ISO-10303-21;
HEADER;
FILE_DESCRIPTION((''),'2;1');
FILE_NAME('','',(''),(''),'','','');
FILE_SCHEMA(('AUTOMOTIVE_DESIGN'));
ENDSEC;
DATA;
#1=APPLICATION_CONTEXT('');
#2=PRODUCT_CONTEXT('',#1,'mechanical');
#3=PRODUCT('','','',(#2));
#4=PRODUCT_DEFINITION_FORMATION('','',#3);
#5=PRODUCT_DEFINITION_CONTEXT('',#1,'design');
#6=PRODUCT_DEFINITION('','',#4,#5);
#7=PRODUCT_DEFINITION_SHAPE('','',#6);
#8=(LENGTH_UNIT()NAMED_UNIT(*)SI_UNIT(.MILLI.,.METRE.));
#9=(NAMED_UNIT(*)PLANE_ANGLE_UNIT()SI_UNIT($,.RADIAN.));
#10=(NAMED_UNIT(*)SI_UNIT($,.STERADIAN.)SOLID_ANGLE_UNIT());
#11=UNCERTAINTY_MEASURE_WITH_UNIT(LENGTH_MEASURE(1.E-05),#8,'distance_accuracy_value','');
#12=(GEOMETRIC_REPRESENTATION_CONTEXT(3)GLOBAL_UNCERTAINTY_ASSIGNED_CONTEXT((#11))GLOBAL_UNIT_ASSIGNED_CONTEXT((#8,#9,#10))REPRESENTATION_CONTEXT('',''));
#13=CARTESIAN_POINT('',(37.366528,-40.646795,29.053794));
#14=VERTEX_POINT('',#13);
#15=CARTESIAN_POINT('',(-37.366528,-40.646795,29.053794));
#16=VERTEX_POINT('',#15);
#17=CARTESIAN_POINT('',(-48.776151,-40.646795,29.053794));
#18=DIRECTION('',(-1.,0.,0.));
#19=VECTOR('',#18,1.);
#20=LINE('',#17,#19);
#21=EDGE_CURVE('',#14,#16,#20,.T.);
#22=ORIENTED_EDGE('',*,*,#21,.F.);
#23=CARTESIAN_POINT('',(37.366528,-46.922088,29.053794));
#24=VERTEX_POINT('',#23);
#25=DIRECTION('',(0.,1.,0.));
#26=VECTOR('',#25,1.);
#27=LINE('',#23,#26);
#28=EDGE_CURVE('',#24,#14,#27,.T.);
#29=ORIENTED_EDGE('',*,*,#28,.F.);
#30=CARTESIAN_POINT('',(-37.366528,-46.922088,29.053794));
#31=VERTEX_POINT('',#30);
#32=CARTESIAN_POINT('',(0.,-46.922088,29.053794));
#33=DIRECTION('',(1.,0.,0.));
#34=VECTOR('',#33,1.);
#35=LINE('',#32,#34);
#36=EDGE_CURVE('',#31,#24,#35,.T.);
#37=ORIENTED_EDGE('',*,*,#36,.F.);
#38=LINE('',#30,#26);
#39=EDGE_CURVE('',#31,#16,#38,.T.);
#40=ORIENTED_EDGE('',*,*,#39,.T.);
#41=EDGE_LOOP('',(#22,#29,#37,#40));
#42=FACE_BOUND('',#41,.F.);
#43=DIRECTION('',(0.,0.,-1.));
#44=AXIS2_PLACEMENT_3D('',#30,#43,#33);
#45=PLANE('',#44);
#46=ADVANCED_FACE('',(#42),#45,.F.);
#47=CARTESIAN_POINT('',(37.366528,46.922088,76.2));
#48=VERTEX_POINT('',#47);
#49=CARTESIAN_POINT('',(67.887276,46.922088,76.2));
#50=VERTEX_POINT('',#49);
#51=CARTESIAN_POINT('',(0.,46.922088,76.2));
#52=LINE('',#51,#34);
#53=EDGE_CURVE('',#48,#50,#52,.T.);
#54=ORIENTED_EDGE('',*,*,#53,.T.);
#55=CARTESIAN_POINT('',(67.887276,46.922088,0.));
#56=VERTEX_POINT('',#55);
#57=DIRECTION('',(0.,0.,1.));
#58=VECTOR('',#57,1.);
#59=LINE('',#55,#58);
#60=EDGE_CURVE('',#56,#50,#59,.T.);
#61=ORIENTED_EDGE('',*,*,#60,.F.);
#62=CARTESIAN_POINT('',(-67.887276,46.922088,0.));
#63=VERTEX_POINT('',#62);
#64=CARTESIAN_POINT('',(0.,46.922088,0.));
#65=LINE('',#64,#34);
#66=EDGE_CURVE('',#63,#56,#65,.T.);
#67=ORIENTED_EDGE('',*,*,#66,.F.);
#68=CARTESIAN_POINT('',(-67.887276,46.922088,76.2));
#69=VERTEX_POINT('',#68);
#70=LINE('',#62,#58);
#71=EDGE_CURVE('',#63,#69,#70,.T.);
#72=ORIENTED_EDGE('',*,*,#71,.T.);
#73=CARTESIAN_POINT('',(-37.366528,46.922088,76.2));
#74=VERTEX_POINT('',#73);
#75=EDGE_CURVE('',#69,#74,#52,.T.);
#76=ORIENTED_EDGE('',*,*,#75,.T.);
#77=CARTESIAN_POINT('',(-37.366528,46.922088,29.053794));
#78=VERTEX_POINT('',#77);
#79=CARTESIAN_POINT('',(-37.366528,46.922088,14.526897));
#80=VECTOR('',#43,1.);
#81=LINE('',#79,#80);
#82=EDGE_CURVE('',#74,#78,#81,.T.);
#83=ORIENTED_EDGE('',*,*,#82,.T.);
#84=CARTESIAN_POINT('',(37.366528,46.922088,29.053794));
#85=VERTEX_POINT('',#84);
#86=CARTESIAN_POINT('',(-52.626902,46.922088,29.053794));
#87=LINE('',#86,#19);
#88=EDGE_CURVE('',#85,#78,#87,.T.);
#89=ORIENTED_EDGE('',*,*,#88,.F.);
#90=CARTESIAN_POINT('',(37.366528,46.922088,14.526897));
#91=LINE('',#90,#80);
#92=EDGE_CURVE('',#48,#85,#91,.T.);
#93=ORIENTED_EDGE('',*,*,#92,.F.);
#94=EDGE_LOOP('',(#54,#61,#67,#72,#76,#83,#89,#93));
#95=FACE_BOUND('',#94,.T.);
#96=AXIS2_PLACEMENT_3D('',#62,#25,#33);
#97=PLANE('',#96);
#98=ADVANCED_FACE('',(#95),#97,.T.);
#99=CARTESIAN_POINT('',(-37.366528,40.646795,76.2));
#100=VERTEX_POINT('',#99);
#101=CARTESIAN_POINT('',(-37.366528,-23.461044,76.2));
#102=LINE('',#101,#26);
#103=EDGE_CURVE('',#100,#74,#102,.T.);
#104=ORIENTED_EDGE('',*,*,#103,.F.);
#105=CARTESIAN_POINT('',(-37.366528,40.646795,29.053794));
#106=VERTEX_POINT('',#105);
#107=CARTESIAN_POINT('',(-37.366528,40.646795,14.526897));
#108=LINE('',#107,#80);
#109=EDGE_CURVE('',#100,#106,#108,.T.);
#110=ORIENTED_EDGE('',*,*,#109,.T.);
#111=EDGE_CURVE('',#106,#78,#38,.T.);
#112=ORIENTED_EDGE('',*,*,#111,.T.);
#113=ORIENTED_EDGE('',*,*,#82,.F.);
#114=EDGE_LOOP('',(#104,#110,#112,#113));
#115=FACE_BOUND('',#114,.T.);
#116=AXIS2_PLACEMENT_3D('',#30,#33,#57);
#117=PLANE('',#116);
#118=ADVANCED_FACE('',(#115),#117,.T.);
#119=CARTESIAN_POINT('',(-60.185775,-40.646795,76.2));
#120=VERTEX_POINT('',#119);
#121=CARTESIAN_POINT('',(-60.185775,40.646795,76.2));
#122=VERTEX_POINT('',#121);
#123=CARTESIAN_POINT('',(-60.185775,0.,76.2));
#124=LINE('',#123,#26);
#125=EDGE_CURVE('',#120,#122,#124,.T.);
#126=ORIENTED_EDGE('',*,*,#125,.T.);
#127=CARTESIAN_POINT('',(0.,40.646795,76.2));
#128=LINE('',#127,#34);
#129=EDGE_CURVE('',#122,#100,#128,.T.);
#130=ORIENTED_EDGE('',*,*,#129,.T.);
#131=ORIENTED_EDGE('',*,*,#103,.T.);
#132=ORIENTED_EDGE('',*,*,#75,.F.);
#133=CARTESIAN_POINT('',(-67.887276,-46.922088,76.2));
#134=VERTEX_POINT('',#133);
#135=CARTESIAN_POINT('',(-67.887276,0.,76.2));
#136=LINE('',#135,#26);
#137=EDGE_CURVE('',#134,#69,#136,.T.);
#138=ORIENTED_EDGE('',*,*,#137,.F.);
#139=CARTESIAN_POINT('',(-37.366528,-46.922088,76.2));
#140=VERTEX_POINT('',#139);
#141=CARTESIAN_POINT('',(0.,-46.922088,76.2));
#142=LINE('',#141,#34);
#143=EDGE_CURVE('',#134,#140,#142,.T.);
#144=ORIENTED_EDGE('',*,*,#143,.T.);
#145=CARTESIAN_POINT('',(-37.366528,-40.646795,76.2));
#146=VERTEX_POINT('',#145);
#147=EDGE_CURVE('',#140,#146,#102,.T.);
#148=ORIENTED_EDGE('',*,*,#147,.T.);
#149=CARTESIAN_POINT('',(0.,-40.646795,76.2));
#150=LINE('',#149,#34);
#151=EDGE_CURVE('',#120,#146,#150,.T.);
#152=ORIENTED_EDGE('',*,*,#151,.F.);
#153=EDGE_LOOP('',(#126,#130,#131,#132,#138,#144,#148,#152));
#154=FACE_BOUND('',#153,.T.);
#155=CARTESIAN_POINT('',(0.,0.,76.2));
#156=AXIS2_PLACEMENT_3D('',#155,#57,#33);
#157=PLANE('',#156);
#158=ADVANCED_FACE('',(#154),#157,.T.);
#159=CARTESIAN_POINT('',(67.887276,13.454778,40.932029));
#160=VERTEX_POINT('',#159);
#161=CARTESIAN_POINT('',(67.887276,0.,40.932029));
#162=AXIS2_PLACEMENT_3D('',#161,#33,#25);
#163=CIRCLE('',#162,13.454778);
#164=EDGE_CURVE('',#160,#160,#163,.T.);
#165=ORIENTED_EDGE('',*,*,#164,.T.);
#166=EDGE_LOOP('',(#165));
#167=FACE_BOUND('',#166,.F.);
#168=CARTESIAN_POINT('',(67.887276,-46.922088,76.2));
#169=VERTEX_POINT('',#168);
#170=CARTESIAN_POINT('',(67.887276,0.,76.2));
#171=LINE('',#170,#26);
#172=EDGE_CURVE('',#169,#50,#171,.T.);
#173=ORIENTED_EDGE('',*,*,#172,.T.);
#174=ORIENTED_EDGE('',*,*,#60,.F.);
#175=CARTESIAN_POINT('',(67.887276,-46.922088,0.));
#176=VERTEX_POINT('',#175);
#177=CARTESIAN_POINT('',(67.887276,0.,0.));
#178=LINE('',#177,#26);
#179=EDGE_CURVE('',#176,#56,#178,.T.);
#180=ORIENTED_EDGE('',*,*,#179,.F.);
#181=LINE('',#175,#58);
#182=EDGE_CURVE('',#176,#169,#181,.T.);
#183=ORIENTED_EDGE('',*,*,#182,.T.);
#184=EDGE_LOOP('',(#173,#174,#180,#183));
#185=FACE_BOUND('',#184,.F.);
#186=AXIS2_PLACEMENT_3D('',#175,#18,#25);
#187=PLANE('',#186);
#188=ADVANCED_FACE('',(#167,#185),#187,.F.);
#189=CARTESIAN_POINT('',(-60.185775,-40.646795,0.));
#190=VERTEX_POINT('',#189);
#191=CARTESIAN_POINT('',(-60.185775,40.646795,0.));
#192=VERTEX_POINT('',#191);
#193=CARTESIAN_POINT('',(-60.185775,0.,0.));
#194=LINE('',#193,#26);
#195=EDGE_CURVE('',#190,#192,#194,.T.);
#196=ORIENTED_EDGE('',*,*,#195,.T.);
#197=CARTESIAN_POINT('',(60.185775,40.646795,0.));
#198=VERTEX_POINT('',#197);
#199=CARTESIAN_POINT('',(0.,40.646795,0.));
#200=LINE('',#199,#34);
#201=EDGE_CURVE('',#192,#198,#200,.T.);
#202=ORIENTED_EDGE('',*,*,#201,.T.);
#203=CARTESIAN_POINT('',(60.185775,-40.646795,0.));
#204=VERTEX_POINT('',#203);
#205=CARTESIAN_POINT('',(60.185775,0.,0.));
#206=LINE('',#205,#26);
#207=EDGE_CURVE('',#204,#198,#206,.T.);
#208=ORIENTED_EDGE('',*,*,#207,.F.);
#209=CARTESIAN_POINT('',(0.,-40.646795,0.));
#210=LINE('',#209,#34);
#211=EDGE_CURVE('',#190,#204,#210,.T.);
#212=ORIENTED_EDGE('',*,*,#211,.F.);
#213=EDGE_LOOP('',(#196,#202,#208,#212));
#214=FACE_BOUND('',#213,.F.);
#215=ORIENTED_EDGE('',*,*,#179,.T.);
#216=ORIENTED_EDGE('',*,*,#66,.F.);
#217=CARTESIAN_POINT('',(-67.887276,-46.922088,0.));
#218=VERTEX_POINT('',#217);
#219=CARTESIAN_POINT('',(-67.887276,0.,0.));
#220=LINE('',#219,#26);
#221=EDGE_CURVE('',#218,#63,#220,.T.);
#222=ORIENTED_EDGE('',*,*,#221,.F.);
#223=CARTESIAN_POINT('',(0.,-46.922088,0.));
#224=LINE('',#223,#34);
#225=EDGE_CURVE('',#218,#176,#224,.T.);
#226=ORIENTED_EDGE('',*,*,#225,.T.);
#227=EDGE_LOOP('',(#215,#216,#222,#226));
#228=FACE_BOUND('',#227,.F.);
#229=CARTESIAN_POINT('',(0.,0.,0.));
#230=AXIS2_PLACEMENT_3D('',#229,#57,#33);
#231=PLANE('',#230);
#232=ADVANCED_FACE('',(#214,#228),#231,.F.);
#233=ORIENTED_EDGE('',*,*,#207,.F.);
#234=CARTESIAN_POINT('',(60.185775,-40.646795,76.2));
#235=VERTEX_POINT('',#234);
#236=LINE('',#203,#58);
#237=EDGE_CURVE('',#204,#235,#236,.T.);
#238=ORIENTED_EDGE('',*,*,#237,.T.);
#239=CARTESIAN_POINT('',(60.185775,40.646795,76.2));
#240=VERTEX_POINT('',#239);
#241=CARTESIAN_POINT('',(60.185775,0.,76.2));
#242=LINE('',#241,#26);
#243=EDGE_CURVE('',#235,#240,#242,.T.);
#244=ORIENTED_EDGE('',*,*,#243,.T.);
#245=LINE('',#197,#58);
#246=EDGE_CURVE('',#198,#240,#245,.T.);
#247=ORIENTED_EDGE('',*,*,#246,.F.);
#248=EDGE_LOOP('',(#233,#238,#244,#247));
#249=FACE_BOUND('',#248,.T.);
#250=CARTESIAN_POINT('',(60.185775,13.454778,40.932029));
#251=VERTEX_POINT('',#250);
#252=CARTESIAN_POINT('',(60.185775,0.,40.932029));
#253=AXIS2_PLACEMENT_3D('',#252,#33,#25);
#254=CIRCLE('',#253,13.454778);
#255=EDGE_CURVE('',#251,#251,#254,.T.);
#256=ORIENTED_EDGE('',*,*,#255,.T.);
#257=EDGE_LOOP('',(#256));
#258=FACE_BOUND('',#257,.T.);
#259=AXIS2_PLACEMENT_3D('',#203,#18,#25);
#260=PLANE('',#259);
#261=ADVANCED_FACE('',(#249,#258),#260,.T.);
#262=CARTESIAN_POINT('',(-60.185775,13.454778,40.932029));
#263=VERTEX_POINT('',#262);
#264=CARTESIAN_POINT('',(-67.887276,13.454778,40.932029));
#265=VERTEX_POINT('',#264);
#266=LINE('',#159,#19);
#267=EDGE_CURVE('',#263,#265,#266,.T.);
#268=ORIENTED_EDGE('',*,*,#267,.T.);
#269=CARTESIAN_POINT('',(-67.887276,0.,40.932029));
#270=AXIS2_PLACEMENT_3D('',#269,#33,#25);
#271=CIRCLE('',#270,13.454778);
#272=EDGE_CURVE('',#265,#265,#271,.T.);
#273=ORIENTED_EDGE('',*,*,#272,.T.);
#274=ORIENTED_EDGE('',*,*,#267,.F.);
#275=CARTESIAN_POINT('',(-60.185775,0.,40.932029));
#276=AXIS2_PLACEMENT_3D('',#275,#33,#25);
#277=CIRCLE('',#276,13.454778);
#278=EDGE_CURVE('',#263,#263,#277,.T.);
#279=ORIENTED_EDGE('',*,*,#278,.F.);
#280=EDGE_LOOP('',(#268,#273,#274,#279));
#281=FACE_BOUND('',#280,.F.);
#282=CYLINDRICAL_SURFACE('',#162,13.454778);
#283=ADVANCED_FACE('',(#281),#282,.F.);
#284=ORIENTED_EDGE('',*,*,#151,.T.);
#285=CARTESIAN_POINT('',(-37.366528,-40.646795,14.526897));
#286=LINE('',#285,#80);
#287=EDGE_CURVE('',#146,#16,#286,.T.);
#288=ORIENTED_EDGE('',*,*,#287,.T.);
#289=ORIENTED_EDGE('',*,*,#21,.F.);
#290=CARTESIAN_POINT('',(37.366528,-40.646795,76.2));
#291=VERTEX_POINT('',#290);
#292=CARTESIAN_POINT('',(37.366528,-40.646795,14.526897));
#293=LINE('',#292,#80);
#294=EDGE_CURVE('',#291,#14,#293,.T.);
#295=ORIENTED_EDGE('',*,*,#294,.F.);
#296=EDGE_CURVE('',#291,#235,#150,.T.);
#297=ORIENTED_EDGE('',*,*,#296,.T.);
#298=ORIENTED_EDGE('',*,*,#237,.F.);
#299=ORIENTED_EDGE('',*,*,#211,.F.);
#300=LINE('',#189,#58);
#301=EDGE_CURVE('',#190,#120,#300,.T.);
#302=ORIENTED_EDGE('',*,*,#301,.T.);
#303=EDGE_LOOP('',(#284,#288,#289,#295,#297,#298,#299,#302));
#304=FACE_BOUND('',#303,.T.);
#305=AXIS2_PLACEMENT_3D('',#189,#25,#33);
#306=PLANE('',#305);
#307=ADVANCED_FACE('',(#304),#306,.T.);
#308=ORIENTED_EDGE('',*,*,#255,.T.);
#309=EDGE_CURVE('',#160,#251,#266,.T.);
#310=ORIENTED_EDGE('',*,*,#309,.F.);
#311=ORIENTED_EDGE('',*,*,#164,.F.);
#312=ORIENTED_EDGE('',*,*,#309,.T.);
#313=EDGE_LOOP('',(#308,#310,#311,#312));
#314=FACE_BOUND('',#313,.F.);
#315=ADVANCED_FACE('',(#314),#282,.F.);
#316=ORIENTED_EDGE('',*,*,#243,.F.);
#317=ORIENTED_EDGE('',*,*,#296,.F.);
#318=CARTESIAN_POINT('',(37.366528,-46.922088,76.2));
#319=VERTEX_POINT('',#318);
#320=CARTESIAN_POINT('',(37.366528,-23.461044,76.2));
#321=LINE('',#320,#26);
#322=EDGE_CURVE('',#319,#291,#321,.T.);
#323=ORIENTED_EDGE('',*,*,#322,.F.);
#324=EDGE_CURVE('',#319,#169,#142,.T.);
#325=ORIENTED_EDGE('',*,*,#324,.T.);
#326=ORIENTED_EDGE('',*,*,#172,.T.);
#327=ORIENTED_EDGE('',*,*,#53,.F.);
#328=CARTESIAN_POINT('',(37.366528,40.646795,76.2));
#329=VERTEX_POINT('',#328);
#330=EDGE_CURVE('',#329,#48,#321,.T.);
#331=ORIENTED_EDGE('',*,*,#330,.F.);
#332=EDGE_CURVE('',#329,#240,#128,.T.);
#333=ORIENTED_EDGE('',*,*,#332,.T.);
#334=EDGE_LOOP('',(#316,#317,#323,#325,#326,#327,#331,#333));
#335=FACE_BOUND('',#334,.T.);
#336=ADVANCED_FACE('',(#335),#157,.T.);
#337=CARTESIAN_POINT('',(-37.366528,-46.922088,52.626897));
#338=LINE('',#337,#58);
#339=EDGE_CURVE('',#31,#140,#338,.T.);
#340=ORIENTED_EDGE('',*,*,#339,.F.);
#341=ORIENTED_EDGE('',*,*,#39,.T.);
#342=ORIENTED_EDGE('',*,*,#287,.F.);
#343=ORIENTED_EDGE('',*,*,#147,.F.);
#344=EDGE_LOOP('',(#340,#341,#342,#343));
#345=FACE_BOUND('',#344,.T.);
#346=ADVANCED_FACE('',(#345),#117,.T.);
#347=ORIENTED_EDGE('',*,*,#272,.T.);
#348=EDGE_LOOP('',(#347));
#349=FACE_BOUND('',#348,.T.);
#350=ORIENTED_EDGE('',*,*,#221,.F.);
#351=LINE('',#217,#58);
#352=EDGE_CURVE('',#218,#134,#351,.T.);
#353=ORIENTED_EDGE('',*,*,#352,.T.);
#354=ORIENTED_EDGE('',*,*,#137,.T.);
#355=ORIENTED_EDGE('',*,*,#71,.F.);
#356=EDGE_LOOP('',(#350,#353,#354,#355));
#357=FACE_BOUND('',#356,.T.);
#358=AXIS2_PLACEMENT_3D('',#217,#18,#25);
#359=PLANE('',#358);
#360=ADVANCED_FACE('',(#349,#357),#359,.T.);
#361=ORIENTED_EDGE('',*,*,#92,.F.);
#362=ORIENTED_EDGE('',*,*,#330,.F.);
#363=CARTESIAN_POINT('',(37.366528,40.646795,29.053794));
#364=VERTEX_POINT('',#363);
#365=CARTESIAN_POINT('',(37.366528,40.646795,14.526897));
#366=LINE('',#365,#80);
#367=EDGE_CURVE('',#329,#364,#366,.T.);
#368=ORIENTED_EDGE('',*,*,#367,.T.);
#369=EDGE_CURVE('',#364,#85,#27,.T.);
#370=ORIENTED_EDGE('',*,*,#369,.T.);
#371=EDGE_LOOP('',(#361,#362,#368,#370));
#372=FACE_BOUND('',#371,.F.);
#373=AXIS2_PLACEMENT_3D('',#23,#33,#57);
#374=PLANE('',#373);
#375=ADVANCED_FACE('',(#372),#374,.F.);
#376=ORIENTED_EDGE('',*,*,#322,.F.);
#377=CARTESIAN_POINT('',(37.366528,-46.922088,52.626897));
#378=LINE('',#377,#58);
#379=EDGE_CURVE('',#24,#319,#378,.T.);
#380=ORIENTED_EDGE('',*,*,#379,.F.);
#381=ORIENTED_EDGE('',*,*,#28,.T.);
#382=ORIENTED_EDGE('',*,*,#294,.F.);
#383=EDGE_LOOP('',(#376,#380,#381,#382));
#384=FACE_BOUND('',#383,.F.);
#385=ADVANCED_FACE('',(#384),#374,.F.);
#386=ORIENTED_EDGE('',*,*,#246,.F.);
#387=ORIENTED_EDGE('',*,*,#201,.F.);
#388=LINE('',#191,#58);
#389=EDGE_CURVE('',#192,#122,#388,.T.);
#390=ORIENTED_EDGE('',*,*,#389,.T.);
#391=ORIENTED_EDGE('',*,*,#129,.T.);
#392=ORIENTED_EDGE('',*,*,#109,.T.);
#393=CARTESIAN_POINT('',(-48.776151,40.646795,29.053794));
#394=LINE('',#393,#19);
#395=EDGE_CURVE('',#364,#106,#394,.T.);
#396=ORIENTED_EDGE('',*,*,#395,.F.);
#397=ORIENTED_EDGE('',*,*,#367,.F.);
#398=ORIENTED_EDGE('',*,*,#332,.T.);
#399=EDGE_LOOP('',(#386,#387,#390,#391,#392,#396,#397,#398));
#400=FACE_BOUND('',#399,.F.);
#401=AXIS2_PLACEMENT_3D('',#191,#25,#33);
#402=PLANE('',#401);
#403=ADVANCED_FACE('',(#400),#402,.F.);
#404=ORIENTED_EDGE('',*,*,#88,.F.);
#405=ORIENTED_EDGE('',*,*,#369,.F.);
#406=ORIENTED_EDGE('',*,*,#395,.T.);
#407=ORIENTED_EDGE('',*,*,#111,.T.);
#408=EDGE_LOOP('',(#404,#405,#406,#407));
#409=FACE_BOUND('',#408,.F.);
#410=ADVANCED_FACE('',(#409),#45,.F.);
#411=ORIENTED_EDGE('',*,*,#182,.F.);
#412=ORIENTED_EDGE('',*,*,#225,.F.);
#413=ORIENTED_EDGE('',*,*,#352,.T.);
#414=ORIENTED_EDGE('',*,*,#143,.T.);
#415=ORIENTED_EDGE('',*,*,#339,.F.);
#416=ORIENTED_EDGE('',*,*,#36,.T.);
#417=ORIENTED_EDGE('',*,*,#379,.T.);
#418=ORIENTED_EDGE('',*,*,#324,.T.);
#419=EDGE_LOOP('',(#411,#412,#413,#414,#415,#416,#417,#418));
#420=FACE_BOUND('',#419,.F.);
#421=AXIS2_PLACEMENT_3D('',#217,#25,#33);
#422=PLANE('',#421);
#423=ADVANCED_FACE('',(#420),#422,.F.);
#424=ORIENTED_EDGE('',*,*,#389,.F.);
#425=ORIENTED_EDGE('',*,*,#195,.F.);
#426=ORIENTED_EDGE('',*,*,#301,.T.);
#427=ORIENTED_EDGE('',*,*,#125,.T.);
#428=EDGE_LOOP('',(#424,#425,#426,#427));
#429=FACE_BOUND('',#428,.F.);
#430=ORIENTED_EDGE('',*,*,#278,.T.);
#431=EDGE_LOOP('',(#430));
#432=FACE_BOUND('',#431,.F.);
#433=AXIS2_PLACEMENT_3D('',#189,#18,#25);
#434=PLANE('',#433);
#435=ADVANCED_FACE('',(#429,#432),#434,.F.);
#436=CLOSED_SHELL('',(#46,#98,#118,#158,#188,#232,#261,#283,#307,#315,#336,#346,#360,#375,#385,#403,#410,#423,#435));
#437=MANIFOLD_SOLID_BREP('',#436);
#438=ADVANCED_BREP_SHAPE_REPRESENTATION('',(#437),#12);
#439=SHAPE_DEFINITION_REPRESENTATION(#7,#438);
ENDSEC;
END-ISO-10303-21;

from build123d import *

# Parameters (mm, degrees)
F0_W     = 135.774552
F0_H     = 93.844176
F0_W_2   = 120.37155
F0_H_2   = 81.29359
F1_DEPTH = 76.2
F2_R     = 13.454778
F3_DEPTH = 135.775553
F4_W     = 74.733056
F4_H     = 47.146207
F5_DEPTH = 93.845175


with BuildPart() as f1:
    # F0 (on Top) → F1 (new body)
    with BuildSketch(Plane.XY):
        Rectangle(F0_W, F0_H)
        Rectangle(F0_W_2, F0_H_2, mode=Mode.SUBTRACT)
    extrude(amount=F1_DEPTH)

    # F2 (on face) → F3 (cut, through all)
    with BuildSketch(Plane.YZ.offset(67.887276)):
        with Locations((0, 40.932029)):
            Circle(F2_R)
    extrude(amount=-F3_DEPTH, mode=Mode.SUBTRACT)

    # F4 (on face) → F5 (cut, through all)
    with BuildSketch(Plane.XZ.offset(46.922088)):
        with Locations((0, 52.626897)):
            Rectangle(F4_W, F4_H)
    extrude(amount=-F5_DEPTH, mode=Mode.SUBTRACT)


solid = f1.part
